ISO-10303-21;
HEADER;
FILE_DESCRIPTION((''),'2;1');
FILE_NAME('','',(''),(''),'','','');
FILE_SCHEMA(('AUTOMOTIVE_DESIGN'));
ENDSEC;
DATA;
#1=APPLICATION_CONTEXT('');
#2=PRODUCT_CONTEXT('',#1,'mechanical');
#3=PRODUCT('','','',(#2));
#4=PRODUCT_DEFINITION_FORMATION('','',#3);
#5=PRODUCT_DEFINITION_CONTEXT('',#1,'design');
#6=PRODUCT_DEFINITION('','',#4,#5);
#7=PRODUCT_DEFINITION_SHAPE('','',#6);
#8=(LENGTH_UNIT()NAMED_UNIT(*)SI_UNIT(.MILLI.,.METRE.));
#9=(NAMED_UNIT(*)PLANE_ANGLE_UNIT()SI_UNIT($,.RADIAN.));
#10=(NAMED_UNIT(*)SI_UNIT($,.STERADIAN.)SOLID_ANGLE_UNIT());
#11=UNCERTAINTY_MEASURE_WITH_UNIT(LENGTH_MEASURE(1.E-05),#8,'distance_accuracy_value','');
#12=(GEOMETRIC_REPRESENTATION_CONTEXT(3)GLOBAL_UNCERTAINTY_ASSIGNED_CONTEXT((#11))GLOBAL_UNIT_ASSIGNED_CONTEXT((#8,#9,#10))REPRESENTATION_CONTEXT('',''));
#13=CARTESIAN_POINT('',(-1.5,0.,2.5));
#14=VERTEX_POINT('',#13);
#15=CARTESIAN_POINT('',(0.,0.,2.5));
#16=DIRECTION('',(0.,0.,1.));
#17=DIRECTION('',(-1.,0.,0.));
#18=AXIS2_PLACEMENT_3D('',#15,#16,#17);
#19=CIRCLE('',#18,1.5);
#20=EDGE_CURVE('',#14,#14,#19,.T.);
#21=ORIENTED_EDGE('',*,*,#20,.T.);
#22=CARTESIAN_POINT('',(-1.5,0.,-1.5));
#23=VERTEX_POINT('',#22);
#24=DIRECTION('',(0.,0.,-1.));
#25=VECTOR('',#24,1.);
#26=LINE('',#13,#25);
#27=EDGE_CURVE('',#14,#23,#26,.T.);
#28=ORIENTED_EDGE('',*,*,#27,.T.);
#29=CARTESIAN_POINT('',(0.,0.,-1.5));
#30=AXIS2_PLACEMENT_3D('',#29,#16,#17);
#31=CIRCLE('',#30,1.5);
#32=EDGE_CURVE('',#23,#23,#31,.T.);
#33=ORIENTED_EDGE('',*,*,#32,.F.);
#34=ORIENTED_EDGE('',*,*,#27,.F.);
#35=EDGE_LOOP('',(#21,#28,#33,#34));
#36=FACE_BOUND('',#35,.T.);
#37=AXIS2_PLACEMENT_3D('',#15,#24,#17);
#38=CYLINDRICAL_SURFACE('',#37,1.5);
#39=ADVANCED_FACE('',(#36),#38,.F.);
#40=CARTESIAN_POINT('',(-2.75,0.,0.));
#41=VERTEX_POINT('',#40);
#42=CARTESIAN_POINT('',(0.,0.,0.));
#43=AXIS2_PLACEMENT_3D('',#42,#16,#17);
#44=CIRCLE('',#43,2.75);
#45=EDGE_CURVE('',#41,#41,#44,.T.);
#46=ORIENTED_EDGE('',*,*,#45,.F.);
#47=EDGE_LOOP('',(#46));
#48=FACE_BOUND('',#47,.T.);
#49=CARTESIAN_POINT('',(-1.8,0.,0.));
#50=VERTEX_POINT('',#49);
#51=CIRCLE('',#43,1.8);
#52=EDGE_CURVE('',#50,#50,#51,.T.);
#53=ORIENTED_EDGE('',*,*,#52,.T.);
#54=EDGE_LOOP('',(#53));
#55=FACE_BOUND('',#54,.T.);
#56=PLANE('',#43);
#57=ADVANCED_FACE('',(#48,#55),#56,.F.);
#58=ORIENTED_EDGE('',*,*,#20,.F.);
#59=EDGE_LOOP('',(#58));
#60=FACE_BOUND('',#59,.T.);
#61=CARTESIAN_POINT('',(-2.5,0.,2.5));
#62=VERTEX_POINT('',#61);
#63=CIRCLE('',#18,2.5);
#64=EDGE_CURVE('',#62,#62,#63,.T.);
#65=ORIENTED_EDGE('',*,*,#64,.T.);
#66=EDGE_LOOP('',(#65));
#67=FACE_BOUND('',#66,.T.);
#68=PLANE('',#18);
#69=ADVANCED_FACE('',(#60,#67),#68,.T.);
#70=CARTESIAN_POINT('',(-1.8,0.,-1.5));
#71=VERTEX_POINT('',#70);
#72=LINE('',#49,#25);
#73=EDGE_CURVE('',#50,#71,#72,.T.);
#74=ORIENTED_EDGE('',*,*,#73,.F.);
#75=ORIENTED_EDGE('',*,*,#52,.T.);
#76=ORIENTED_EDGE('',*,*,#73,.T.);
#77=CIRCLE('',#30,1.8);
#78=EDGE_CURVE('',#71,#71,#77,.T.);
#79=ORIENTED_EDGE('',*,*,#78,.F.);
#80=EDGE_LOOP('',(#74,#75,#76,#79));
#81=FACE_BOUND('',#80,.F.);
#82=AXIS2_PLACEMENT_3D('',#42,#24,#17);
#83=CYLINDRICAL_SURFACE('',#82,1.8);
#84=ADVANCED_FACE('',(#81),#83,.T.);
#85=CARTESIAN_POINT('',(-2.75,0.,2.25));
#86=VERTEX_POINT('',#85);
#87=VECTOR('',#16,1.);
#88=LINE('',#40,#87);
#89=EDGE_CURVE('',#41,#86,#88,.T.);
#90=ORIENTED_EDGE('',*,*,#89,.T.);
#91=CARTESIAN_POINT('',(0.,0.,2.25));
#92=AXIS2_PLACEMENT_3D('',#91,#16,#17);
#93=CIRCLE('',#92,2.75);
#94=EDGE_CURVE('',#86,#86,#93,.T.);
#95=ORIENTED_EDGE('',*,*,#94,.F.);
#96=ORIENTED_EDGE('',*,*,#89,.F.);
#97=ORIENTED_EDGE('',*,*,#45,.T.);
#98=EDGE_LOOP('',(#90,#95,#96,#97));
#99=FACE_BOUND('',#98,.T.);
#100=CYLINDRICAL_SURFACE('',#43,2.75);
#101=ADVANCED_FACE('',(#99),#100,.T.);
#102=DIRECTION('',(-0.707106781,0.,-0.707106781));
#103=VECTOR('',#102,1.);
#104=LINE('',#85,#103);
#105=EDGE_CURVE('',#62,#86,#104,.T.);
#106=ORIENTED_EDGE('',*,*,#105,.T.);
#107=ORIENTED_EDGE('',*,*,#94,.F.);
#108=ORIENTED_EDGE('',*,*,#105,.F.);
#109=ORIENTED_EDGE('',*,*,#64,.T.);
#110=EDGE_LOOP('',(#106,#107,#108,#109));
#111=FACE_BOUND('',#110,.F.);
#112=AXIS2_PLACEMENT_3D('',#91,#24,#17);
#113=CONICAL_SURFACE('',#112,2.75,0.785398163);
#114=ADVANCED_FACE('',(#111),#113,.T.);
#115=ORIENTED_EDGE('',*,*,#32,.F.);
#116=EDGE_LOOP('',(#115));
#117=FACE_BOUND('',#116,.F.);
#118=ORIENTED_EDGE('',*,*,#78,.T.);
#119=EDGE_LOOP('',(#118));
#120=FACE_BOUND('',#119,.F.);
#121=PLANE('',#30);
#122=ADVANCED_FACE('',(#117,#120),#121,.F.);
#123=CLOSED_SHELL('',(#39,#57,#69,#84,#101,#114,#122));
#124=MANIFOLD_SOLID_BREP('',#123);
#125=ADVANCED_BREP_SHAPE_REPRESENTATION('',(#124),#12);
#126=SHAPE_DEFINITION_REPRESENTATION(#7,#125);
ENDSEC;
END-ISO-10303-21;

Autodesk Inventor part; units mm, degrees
ref_plane "YZ Plane" through (0, 0, 0) normal (1, 0, 0) x (0, 1, 0)
ref_plane "XZ Plane" through (0, 0, 0) normal (0, 1, 0) x (-1, 0, 0)
ref_plane "XY Plane" through (0, 0, 0) normal (0, 0, 1) x (1, 0, 0)
sketch "Эскиз1" plane through (0, 0, 0) normal (0, 1, 0) x (-1, 0, 0)
  line L0 (0, 0) -> (2.75, 0)
  line L1 (2.75, 0) -> (2.75, 2.5)
  line L2 (2.75, 2.5) -> (-2.75, 2.5)
  line L3 (-2.75, 2.5) -> (-2.75, 0)
  line L4 (-2.75, 0) -> (2.75, 0)
  line L5 (0, 0) -> (1.8, 0)
  line L6 (1.8, 0) -> (1.8, -1.5)
  line L7 (1.8, -1.5) -> (-1.8, -1.5)
  line L8 (-1.8, -1.5) -> (-1.8, 0)
  line L9 (0, 2.5) -> (1.5, 2.5)
  line L10 (1.5, 2.5) -> (1.5, -1.5)
  line L11 (0, -1.5) -> (0, 2.5)
  dimension "d0" = 2.75
  dimension "d1" = 2.5
  dimension "d2" = 5.5
  dimension "d3" = 1.8
  dimension "d4" = 1.5
  dimension "d5" = 3.6
  dimension "d6" = 1.5
revolve "Вращение1" add sketch "Эскиз1" angle 360 about axis through (0, 0, -1.5) along (0, 0, 1) contours L0 L10 L2 L1 | L6 L7 L10 L0
thread "Резьба1" size "M3x0.5" class "6H" standard "ANSI Metric M Profile" full length
chamfer "Фаска1" distance 0.25 angle 45 1 edges at (2.75, 0, 2.5)
properties part number "soldered nut"
